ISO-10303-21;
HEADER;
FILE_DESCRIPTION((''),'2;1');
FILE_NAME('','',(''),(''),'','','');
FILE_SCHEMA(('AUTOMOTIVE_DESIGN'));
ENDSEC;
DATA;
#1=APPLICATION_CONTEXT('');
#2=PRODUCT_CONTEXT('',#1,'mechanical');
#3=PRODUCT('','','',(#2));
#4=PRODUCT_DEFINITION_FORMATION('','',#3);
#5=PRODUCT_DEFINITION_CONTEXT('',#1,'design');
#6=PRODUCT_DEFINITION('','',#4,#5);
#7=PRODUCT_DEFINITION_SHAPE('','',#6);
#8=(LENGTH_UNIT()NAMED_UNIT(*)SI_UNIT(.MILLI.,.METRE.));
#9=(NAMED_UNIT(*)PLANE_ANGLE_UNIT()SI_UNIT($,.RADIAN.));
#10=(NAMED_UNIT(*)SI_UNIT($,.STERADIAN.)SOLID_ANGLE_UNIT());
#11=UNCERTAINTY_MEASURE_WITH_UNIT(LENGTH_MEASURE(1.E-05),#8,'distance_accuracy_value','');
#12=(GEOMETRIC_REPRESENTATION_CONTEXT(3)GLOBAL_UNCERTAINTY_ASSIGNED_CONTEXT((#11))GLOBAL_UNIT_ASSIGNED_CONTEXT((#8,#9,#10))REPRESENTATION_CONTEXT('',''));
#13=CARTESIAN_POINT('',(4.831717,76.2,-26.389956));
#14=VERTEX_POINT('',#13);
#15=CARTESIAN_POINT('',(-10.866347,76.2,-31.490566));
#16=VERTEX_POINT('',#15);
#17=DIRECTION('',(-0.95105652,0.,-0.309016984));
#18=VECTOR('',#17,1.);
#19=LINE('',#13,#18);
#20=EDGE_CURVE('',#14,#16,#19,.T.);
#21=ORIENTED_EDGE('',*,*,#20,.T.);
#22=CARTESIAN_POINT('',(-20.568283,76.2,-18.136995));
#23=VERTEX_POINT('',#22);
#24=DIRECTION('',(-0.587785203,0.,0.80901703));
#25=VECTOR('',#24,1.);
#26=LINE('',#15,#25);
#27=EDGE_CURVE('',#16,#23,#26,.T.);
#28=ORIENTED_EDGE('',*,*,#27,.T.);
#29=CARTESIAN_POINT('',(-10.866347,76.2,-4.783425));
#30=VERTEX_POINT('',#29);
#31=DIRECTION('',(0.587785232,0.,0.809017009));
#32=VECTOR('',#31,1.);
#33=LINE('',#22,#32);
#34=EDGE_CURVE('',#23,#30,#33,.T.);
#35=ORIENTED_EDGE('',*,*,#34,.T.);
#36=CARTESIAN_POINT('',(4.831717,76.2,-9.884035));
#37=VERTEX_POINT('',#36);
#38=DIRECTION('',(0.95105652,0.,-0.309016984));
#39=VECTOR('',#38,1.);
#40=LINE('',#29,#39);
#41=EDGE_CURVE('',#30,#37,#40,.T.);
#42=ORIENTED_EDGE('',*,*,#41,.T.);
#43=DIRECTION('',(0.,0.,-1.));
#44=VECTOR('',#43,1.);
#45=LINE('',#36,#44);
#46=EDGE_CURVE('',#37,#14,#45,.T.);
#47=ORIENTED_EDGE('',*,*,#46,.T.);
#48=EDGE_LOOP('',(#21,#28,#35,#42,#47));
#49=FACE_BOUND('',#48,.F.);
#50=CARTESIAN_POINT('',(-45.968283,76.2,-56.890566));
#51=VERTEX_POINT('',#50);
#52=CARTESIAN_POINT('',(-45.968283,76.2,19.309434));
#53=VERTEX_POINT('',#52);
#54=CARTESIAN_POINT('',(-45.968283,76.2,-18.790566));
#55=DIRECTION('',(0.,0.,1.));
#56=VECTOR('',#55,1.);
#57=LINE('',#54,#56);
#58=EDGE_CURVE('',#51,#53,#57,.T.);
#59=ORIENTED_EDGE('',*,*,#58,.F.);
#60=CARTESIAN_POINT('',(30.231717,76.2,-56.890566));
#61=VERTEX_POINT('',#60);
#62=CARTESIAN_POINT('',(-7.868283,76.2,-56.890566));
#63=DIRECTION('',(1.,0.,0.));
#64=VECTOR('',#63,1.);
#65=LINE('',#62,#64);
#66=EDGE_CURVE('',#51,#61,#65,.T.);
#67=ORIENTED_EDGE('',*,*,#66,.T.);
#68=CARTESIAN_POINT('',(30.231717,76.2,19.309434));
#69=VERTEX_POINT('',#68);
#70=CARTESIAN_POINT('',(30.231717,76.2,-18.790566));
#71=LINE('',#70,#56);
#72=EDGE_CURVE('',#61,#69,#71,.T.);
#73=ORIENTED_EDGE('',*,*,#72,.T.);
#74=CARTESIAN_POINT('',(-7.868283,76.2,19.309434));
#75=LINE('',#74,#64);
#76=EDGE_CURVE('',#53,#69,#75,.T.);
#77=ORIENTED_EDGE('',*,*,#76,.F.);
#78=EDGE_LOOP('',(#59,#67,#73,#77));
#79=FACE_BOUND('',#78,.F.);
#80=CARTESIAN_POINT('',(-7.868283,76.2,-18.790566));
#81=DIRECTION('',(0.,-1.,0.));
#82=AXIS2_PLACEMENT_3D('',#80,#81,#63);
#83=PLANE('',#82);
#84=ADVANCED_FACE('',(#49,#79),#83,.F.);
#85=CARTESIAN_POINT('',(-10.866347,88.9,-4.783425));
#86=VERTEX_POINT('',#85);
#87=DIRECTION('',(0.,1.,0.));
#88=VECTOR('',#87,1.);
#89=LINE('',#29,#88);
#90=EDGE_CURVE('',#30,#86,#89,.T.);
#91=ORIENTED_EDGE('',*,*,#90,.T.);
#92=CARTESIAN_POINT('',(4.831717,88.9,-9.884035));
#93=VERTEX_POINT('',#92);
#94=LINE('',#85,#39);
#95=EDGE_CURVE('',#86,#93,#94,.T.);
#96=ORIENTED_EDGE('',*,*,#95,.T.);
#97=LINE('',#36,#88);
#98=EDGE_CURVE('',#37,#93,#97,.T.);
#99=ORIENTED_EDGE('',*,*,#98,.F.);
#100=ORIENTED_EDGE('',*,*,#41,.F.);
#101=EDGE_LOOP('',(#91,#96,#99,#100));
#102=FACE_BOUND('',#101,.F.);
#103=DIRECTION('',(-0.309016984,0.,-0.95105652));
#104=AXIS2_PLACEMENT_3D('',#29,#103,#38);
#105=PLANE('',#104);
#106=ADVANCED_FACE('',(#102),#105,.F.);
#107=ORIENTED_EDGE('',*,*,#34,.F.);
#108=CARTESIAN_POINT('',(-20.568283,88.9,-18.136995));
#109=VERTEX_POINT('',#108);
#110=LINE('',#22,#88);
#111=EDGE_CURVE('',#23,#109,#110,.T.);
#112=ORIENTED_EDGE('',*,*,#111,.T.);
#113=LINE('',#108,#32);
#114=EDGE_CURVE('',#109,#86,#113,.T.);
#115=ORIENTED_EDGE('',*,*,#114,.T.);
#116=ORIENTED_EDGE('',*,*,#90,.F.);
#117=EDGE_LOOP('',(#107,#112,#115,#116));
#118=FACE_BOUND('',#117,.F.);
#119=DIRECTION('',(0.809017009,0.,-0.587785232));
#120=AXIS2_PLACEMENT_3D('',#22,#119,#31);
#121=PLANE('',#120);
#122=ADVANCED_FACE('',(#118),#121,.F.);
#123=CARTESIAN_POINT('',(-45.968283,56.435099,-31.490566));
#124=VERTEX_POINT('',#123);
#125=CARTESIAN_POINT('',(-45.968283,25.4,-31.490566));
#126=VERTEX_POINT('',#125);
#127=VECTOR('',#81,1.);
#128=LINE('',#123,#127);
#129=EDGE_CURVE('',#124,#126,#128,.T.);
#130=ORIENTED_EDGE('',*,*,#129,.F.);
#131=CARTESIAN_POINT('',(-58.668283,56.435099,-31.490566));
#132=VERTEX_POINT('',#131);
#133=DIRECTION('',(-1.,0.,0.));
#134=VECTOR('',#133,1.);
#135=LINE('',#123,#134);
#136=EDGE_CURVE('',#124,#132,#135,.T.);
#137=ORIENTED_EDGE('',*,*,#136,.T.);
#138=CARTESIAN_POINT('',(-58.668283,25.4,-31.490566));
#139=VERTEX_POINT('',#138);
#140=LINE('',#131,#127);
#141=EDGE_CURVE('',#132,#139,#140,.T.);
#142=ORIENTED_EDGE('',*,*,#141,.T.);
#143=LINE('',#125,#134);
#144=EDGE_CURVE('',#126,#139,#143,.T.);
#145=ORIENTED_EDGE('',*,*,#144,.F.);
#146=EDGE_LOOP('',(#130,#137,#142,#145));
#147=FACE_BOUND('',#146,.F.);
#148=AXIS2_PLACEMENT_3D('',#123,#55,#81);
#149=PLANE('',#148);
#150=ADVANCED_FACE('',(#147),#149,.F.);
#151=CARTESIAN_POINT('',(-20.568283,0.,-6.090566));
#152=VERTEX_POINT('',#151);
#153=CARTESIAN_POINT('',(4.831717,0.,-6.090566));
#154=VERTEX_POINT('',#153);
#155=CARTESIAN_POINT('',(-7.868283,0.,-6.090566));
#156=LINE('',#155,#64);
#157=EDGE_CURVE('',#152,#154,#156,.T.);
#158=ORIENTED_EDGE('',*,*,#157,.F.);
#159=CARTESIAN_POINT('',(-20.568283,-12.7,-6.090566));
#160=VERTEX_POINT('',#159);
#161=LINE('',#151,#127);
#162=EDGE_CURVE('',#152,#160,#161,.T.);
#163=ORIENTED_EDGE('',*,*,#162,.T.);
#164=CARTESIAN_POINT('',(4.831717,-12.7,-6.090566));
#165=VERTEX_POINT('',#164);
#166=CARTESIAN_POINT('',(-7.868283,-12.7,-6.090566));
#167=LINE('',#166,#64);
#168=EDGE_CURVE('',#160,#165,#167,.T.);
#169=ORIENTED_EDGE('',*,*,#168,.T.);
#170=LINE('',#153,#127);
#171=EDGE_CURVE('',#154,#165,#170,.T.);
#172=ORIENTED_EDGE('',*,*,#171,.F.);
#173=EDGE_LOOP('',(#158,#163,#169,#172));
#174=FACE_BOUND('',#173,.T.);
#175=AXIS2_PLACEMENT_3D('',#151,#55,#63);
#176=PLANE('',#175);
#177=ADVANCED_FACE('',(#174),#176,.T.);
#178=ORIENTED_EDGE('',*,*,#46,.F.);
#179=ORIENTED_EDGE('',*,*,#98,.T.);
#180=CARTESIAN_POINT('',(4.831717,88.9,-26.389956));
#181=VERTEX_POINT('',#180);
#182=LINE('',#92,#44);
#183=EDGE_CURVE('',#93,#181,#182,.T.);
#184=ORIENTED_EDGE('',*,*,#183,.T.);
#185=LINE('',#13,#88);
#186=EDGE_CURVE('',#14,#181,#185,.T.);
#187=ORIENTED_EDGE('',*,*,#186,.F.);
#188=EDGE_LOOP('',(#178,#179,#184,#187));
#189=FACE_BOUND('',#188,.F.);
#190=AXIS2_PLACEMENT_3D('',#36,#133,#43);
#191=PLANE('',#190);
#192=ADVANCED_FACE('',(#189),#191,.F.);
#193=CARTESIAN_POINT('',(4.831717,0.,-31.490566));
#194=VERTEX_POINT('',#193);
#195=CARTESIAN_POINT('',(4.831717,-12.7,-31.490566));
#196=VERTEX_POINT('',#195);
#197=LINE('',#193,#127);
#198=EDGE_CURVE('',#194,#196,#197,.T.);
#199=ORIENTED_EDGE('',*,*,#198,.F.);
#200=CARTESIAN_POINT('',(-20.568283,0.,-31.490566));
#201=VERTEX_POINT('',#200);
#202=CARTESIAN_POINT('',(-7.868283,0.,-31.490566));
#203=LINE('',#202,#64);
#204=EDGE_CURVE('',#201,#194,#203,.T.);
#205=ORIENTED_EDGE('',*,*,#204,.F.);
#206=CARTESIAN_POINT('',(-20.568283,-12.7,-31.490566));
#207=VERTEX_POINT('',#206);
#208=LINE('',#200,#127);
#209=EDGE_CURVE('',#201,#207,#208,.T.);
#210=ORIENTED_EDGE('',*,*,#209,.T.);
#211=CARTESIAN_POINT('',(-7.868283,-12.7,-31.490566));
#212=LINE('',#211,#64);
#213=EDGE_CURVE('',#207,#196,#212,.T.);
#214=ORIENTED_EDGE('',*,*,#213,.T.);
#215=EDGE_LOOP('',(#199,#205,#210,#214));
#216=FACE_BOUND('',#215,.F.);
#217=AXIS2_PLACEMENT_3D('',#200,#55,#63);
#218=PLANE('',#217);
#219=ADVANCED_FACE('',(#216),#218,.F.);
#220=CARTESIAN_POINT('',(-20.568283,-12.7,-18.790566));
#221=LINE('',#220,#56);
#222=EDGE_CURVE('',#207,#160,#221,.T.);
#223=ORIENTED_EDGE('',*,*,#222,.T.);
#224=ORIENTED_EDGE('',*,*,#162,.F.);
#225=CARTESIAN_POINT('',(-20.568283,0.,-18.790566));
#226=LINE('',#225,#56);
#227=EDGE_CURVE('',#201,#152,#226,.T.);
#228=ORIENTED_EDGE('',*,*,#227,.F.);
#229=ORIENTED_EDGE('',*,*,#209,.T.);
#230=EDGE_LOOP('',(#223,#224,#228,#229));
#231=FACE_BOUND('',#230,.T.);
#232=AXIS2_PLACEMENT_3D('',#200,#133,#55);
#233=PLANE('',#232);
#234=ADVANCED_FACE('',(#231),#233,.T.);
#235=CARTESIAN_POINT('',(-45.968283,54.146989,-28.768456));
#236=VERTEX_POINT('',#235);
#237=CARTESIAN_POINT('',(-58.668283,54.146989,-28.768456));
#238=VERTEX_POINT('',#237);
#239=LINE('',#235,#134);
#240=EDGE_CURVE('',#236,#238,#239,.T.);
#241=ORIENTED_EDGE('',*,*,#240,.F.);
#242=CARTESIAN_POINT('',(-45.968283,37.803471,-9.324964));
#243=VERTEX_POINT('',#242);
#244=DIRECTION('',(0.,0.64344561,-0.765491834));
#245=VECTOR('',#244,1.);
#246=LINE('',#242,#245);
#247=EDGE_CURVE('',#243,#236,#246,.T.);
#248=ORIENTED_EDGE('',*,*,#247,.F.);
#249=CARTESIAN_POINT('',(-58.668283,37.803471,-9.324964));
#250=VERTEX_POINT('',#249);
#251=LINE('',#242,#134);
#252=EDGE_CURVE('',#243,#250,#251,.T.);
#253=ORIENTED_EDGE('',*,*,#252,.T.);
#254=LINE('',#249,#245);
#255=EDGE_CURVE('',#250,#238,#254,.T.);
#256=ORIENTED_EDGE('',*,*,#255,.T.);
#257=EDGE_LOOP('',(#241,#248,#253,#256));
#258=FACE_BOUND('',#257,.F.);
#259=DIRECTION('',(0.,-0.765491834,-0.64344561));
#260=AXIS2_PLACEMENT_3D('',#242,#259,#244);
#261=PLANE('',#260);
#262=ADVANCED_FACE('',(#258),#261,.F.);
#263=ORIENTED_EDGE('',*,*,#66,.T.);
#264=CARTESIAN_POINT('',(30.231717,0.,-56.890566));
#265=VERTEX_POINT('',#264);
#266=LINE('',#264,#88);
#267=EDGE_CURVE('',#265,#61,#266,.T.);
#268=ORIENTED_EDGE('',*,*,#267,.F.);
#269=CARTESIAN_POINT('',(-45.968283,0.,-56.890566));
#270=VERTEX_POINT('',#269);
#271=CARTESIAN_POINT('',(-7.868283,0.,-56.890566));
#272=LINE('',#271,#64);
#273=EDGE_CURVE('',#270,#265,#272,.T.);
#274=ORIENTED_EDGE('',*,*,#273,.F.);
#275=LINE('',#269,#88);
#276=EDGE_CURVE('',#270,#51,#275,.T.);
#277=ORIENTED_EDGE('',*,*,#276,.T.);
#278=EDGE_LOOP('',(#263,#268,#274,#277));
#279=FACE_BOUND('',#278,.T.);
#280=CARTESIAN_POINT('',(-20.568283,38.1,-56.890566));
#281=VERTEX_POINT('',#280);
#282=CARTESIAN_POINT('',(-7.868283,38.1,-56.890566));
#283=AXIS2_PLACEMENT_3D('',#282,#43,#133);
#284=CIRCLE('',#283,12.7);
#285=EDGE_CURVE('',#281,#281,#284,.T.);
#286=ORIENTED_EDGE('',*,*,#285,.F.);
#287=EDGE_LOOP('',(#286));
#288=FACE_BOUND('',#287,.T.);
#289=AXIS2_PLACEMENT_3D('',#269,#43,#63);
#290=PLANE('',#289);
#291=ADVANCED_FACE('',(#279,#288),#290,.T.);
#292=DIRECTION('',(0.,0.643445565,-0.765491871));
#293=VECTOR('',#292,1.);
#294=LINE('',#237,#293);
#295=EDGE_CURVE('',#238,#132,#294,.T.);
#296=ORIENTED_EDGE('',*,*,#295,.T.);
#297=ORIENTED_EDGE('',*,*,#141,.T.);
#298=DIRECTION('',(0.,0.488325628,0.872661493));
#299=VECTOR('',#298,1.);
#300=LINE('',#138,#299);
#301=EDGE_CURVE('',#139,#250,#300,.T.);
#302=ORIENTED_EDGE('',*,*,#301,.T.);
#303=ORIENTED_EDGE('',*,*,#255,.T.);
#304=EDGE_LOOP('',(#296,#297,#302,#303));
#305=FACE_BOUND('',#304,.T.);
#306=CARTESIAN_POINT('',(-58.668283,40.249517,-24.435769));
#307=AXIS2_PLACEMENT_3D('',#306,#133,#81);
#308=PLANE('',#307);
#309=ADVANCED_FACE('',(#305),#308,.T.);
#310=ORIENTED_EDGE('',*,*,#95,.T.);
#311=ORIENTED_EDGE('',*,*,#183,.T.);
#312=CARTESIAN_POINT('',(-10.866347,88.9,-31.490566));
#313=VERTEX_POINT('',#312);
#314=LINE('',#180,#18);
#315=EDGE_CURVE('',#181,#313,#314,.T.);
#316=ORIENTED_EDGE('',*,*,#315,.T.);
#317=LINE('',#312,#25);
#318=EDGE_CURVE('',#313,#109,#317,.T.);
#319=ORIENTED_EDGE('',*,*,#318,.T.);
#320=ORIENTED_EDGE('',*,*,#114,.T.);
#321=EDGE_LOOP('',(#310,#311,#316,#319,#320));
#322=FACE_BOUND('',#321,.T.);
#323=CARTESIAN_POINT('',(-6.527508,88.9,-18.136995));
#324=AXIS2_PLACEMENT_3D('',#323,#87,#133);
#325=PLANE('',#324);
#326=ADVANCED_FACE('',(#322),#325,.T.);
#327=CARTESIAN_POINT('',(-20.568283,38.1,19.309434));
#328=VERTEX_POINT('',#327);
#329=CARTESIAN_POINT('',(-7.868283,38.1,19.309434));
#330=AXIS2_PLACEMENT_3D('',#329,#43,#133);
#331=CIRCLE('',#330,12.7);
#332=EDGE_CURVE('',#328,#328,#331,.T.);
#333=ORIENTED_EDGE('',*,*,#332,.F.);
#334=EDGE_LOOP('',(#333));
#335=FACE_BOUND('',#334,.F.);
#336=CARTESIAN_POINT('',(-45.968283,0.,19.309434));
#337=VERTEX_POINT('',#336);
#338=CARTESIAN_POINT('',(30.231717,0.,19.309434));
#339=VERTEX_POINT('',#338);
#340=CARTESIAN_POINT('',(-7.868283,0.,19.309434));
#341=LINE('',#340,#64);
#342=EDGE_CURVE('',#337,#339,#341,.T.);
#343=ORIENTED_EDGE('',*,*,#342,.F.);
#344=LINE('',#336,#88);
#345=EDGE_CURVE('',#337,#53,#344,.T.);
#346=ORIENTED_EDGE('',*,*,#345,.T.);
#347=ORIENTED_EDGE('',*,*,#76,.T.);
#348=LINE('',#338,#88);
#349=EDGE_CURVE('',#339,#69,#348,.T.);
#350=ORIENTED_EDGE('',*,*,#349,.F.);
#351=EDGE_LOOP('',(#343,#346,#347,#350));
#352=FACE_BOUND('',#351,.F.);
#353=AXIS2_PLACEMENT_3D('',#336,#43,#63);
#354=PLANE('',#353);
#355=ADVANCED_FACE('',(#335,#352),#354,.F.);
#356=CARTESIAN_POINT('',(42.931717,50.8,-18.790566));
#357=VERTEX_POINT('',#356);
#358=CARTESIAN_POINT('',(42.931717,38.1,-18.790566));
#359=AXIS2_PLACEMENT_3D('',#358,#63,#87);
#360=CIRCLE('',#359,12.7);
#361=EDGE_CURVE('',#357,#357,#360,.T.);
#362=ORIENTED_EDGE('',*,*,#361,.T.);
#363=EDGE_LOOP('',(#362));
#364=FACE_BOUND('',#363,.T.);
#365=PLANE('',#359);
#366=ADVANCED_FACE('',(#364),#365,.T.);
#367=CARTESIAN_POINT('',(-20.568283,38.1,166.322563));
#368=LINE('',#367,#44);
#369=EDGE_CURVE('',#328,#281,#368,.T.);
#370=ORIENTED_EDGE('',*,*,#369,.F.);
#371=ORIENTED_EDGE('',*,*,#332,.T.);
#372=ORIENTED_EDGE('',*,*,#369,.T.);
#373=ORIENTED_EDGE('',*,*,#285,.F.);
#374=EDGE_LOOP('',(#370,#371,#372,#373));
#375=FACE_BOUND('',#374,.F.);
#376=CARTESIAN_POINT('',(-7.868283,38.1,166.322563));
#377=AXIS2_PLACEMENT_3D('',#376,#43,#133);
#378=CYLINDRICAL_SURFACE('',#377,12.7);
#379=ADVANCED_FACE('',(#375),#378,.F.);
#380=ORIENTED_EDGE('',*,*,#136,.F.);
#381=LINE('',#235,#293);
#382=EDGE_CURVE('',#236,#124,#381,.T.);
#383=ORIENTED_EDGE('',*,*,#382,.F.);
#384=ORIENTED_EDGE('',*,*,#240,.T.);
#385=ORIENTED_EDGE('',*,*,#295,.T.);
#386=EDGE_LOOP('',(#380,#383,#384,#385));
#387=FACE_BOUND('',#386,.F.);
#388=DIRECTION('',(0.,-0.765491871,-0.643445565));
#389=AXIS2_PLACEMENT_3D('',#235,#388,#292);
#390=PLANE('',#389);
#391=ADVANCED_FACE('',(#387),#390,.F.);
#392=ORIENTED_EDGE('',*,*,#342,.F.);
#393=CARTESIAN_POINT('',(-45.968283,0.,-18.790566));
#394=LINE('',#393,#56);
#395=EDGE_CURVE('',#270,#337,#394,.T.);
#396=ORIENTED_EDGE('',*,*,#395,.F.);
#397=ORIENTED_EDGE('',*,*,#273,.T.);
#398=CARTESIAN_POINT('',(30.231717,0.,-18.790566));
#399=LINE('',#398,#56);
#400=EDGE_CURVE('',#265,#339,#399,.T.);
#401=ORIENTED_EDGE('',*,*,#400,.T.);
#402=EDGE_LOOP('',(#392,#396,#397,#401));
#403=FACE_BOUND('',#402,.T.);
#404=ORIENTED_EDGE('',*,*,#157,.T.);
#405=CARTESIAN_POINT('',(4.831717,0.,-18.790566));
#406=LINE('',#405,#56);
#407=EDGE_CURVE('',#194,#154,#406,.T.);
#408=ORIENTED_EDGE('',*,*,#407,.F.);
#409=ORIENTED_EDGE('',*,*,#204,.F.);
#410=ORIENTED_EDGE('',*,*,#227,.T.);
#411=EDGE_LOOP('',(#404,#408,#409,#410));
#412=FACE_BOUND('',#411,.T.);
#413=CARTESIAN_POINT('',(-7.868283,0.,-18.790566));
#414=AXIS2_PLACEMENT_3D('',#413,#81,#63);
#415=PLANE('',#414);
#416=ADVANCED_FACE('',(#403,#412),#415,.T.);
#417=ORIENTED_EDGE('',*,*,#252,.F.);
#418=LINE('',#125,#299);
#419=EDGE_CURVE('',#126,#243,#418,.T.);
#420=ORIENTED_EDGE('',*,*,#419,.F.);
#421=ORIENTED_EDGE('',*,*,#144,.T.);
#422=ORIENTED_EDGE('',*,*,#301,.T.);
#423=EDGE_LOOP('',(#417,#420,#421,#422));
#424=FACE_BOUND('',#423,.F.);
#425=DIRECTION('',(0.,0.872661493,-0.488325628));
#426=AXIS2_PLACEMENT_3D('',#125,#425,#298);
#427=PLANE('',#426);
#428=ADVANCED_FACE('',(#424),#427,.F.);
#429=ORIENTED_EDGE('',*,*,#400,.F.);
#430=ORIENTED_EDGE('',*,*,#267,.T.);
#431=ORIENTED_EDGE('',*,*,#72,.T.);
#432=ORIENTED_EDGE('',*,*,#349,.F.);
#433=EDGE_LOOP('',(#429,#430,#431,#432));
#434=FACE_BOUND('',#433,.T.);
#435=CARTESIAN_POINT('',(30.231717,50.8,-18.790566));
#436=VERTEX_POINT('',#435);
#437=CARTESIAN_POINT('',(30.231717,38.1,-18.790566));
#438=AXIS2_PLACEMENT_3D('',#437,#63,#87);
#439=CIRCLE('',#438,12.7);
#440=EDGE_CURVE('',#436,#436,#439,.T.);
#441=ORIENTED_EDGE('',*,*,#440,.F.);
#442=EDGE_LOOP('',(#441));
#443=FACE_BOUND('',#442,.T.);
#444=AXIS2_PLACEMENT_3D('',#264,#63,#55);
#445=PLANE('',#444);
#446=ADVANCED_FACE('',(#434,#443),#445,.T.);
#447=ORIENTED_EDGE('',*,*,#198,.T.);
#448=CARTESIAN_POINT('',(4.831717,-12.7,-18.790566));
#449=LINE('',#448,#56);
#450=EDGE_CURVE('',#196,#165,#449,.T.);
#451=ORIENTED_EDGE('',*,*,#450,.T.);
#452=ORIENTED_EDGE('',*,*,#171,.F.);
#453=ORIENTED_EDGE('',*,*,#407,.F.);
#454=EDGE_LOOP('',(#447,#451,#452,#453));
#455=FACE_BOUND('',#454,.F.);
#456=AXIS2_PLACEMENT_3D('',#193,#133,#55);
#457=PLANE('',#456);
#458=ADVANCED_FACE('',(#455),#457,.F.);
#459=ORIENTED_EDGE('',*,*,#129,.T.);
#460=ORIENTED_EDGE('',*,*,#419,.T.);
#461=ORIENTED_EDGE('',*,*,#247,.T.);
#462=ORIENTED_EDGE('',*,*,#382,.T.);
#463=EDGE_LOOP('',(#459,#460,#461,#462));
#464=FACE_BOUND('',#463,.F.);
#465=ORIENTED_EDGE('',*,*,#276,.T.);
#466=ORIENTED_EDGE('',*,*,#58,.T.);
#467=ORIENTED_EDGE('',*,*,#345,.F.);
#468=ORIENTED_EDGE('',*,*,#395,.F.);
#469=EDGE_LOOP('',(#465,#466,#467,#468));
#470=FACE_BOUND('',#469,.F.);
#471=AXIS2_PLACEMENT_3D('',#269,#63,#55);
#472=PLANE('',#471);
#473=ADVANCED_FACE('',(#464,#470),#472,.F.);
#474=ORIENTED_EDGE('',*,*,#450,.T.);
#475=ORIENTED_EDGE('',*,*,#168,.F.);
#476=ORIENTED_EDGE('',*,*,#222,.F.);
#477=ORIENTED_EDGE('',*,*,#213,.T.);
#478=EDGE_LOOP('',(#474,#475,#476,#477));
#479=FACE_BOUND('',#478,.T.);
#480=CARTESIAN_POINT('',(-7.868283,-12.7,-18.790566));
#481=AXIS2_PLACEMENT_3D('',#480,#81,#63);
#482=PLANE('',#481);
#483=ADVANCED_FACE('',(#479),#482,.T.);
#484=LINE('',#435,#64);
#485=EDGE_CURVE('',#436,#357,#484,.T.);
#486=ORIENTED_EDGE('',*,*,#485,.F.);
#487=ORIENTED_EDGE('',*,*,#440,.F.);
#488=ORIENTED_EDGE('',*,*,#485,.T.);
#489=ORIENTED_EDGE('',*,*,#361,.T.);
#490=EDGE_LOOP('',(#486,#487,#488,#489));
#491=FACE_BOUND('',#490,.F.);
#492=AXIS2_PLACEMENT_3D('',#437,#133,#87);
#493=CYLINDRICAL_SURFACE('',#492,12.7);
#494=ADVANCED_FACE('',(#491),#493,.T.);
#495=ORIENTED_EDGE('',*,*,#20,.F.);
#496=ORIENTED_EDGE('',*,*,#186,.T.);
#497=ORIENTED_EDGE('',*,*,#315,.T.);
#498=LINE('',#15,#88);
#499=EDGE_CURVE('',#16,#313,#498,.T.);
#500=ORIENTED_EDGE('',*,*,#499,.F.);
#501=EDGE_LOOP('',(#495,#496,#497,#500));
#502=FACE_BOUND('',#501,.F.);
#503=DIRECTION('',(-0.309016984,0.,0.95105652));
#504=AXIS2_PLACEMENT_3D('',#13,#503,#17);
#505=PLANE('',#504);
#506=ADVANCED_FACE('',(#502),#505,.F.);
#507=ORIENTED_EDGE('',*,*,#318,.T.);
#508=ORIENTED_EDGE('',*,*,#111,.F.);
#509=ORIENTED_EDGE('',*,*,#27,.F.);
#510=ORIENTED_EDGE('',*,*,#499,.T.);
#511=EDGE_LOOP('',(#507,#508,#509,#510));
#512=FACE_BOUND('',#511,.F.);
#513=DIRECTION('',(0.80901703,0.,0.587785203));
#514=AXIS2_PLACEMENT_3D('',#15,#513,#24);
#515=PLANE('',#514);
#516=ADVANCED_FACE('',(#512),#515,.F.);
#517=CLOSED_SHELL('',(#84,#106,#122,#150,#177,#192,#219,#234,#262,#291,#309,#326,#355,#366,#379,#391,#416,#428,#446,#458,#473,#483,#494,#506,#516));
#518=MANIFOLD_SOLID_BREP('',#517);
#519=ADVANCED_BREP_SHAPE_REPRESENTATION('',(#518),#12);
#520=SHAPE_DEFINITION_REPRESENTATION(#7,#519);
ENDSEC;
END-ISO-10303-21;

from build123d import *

# Parameters (mm, degrees)
F0_W      = 76.2
F0_H      = 76.2
F1_DEPTH  = 76.2
F2_W      = 25.4
F2_H      = 25.4
F3_DEPTH  = 12.7
F4_R      = 12.7
F5_DEPTH  = 12.7
F7_D      = 25.4
F9_DEPTH  = 12.7
F11_DEPTH = 12.7


with BuildPart() as f1:
    # F0 (on Front) → F1 (new body)
    with BuildSketch(Plane.XZ):
        with Locations((-7.868283, -18.790566)):
            Rectangle(F0_W, F0_H)
    extrude(amount=-F1_DEPTH)

    # F2 (on face) → F3 (join)
    with BuildSketch(Plane.XZ):
        with Locations((-7.868283, -18.790566)):
            Rectangle(F2_W, F2_H)
    extrude(amount=F3_DEPTH)

    # F4 (on face) → F5 (join)
    with BuildSketch(Plane.YZ.offset(30.231717)):
        with Locations((38.1, -18.790566)):
            Circle(F4_R)
    extrude(amount=F5_DEPTH)

    # F7 (through all)
    with Locations(Plane.XY.offset(19.309434)):
        with Locations((-7.868283, 38.1)):
            Hole(F7_D / 2)

    # F8 (on face) → F9 (join)
    with BuildSketch(Plane(origin=(-45.968283, 0, 0), x_dir=(0, -1, 0), z_dir=(-1, 0, 0))):
        Polygon((-25.4, -31.490566), (-37.803471, -9.324964), (-54.146989, -28.768456), (-56.435099, -31.490566), align=None)
    extrude(amount=F9_DEPTH)

    # F10 (on face) → F11 (join)
    with BuildSketch(Plane(origin=(0, 76.2, 0), x_dir=(-1, 0, 0), z_dir=(0, 1, 0))):
        Polygon((-4.831717, -9.884035), (-4.831717, -26.389956), (10.866347, -31.490566), (20.568283, -18.136995), (10.866347, -4.783425), align=None)
    extrude(amount=F11_DEPTH)


solid = f1.part
